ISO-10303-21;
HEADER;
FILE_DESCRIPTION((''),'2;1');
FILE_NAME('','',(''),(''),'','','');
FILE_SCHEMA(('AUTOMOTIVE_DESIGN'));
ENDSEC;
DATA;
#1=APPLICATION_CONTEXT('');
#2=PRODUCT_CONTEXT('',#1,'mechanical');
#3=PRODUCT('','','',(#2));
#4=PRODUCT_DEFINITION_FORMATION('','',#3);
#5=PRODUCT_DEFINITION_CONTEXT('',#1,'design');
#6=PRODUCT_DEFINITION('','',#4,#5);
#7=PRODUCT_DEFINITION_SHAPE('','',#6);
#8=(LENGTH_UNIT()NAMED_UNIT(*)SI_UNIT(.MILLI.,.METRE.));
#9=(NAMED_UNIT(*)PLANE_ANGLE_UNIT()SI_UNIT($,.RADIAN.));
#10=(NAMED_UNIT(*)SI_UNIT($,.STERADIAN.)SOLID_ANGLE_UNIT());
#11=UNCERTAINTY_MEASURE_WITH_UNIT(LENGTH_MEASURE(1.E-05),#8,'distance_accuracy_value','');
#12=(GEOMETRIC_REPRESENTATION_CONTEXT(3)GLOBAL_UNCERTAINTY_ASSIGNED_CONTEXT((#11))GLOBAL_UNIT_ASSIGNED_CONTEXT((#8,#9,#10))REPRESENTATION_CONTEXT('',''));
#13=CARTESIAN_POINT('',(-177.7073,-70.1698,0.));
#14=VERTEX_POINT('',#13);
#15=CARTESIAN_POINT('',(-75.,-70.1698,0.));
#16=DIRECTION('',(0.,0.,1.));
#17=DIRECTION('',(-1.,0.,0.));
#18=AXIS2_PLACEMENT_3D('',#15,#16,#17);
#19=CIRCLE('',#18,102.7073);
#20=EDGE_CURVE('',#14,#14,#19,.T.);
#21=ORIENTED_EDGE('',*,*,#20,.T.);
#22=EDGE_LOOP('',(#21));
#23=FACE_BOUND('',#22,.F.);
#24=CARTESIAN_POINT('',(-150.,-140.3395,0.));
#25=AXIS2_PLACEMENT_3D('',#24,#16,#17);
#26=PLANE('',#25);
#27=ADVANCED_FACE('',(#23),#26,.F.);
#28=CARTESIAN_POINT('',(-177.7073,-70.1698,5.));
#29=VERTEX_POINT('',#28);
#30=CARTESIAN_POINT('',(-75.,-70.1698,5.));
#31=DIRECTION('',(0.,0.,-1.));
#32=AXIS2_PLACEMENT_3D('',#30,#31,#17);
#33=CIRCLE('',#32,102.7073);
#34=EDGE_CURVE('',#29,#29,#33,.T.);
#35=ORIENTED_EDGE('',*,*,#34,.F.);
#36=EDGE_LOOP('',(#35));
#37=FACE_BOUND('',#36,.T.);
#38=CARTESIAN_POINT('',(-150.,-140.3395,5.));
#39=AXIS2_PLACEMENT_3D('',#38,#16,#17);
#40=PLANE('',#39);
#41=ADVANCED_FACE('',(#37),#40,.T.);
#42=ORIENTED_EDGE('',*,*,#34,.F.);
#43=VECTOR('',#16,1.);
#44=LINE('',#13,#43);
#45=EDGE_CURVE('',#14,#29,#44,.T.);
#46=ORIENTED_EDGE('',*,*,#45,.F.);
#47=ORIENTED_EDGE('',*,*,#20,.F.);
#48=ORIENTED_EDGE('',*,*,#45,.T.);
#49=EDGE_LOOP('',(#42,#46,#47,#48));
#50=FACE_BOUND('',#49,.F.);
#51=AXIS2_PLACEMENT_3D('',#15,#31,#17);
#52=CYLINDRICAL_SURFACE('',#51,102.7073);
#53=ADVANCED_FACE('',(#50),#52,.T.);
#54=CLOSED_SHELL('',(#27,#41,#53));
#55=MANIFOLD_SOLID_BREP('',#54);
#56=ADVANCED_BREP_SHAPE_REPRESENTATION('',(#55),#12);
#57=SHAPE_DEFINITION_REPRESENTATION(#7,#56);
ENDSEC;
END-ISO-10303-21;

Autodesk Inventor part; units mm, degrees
ref_plane "YZ Plane" through (0, 0, 0) normal (1, 0, 0) x (0, 1, 0)
ref_plane "XZ Plane" through (0, 0, 0) normal (0, 1, 0) x (-1, 0, 0)
ref_plane "XY Plane" through (0, 0, 0) normal (0, 0, 1) x (1, 0, 0)
ref_plane "Work Plane1" through (-150, -140.3395, 0) normal (0, 0, 1) x (-1, 0, 0)
sketch "Sketch1" plane through (-150, -140.3395, 0) normal (0, 0, 1) x (-1, 0, 0)
  circle A0 centre (-75, -70.1697) radius 102.7073
  line L0 (-150, 0) -> (0, 0) projected
  line L1 (-150, 0) -> (-150, -7) projected
  line L2 (0, -7) -> (-150, -7) projected
  line L3 (0, 0) -> (0, -7) projected
  line L4 (0, -140.3395) -> (-150, -140.3395) projected
  line L5 (0, -140.3395) -> (0, -133.3395) projected
  line L6 (-150, -133.3395) -> (0, -133.3395) projected
  line L7 (-150, -140.3395) -> (-150, -133.3395) projected
  line L8 (-75, -70.1697) -> (-75, -172.877)
  line L9 (-75, -70.1697) -> (13.9471, -18.8161)
  line L10 (-75, -70.1697) -> (-163.9471, -18.8161)
  dimension "d0" = 120
  dimension "d1" = 120
extrude "Extrusion1" add sketch "Sketch1" along normal blind 5
properties part number "base thingy"
